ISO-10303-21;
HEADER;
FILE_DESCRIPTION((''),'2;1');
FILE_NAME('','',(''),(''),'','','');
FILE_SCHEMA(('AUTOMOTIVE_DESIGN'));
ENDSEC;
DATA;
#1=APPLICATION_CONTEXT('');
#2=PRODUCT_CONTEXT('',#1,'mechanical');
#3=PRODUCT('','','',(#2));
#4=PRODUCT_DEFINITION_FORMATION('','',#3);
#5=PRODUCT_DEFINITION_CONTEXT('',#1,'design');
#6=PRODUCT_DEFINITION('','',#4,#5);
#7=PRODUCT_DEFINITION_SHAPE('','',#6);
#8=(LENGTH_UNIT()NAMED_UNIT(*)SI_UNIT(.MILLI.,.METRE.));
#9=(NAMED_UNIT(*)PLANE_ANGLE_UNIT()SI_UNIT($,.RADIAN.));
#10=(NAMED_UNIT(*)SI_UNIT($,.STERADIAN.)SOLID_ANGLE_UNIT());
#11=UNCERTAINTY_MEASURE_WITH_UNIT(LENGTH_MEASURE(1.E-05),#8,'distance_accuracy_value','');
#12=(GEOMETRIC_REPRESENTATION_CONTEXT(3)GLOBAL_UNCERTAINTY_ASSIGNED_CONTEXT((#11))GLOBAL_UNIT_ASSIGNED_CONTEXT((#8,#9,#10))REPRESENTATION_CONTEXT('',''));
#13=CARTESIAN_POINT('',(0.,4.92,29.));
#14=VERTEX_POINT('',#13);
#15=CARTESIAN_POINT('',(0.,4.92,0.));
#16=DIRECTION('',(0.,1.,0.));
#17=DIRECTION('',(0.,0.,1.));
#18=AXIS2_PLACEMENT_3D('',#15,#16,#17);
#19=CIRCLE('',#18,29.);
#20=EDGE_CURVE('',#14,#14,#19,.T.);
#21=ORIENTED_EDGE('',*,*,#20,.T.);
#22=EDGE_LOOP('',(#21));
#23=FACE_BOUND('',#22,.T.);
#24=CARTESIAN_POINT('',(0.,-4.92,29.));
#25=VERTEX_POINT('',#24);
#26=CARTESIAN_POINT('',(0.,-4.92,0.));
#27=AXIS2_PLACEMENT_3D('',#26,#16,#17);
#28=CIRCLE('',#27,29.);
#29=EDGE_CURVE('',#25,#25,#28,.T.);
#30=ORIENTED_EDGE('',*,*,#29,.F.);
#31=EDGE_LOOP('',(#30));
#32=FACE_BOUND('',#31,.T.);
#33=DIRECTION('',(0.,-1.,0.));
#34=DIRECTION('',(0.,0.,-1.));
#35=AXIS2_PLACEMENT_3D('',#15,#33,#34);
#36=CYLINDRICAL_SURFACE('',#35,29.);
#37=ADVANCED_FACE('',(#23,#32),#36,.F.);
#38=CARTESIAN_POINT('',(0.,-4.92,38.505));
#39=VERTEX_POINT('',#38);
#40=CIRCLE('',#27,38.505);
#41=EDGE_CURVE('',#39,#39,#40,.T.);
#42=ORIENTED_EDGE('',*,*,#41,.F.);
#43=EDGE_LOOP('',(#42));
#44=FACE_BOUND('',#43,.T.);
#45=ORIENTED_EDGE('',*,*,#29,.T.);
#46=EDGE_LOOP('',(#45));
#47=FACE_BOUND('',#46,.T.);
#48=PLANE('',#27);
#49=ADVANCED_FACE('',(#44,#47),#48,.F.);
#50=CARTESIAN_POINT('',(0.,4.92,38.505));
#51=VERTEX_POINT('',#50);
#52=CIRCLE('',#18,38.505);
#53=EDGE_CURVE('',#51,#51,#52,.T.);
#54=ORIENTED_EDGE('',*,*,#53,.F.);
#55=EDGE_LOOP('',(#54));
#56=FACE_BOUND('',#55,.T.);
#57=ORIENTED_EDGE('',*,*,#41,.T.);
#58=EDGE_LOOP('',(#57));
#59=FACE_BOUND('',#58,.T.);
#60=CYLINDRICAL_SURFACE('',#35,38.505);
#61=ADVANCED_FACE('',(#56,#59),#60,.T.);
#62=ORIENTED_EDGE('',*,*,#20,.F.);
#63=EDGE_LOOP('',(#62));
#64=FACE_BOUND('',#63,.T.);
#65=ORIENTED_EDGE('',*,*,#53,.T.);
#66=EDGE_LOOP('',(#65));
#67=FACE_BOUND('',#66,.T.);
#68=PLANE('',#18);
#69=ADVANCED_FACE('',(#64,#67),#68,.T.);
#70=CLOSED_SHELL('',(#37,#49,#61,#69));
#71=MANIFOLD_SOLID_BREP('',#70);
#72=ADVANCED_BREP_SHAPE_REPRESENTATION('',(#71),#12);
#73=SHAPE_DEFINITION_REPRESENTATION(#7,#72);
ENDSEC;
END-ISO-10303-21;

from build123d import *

# Parameters (mm, degrees)
SKETCH1_R           = 38.505
SKETCH1_R_2         = 29
BOSS_EXTRUDE1_DEPTH = 4.92


with BuildPart() as part:
    # Sketch1 → Boss-Extrude1 (new, symmetric)
    with BuildSketch(Plane(origin=(0, 0, 0), x_dir=(1, 0, 0), z_dir=(0, 1, 0))):
        with Locations(Location((0, 0, 0), (0, 0, 270))):
            Circle(SKETCH1_R)
        with Locations(Location((0, 0, 0), (0, 0, 270))):
            Circle(SKETCH1_R_2, mode=Mode.SUBTRACT)
    extrude(amount=BOSS_EXTRUDE1_DEPTH, both=True)


solid = part.part
